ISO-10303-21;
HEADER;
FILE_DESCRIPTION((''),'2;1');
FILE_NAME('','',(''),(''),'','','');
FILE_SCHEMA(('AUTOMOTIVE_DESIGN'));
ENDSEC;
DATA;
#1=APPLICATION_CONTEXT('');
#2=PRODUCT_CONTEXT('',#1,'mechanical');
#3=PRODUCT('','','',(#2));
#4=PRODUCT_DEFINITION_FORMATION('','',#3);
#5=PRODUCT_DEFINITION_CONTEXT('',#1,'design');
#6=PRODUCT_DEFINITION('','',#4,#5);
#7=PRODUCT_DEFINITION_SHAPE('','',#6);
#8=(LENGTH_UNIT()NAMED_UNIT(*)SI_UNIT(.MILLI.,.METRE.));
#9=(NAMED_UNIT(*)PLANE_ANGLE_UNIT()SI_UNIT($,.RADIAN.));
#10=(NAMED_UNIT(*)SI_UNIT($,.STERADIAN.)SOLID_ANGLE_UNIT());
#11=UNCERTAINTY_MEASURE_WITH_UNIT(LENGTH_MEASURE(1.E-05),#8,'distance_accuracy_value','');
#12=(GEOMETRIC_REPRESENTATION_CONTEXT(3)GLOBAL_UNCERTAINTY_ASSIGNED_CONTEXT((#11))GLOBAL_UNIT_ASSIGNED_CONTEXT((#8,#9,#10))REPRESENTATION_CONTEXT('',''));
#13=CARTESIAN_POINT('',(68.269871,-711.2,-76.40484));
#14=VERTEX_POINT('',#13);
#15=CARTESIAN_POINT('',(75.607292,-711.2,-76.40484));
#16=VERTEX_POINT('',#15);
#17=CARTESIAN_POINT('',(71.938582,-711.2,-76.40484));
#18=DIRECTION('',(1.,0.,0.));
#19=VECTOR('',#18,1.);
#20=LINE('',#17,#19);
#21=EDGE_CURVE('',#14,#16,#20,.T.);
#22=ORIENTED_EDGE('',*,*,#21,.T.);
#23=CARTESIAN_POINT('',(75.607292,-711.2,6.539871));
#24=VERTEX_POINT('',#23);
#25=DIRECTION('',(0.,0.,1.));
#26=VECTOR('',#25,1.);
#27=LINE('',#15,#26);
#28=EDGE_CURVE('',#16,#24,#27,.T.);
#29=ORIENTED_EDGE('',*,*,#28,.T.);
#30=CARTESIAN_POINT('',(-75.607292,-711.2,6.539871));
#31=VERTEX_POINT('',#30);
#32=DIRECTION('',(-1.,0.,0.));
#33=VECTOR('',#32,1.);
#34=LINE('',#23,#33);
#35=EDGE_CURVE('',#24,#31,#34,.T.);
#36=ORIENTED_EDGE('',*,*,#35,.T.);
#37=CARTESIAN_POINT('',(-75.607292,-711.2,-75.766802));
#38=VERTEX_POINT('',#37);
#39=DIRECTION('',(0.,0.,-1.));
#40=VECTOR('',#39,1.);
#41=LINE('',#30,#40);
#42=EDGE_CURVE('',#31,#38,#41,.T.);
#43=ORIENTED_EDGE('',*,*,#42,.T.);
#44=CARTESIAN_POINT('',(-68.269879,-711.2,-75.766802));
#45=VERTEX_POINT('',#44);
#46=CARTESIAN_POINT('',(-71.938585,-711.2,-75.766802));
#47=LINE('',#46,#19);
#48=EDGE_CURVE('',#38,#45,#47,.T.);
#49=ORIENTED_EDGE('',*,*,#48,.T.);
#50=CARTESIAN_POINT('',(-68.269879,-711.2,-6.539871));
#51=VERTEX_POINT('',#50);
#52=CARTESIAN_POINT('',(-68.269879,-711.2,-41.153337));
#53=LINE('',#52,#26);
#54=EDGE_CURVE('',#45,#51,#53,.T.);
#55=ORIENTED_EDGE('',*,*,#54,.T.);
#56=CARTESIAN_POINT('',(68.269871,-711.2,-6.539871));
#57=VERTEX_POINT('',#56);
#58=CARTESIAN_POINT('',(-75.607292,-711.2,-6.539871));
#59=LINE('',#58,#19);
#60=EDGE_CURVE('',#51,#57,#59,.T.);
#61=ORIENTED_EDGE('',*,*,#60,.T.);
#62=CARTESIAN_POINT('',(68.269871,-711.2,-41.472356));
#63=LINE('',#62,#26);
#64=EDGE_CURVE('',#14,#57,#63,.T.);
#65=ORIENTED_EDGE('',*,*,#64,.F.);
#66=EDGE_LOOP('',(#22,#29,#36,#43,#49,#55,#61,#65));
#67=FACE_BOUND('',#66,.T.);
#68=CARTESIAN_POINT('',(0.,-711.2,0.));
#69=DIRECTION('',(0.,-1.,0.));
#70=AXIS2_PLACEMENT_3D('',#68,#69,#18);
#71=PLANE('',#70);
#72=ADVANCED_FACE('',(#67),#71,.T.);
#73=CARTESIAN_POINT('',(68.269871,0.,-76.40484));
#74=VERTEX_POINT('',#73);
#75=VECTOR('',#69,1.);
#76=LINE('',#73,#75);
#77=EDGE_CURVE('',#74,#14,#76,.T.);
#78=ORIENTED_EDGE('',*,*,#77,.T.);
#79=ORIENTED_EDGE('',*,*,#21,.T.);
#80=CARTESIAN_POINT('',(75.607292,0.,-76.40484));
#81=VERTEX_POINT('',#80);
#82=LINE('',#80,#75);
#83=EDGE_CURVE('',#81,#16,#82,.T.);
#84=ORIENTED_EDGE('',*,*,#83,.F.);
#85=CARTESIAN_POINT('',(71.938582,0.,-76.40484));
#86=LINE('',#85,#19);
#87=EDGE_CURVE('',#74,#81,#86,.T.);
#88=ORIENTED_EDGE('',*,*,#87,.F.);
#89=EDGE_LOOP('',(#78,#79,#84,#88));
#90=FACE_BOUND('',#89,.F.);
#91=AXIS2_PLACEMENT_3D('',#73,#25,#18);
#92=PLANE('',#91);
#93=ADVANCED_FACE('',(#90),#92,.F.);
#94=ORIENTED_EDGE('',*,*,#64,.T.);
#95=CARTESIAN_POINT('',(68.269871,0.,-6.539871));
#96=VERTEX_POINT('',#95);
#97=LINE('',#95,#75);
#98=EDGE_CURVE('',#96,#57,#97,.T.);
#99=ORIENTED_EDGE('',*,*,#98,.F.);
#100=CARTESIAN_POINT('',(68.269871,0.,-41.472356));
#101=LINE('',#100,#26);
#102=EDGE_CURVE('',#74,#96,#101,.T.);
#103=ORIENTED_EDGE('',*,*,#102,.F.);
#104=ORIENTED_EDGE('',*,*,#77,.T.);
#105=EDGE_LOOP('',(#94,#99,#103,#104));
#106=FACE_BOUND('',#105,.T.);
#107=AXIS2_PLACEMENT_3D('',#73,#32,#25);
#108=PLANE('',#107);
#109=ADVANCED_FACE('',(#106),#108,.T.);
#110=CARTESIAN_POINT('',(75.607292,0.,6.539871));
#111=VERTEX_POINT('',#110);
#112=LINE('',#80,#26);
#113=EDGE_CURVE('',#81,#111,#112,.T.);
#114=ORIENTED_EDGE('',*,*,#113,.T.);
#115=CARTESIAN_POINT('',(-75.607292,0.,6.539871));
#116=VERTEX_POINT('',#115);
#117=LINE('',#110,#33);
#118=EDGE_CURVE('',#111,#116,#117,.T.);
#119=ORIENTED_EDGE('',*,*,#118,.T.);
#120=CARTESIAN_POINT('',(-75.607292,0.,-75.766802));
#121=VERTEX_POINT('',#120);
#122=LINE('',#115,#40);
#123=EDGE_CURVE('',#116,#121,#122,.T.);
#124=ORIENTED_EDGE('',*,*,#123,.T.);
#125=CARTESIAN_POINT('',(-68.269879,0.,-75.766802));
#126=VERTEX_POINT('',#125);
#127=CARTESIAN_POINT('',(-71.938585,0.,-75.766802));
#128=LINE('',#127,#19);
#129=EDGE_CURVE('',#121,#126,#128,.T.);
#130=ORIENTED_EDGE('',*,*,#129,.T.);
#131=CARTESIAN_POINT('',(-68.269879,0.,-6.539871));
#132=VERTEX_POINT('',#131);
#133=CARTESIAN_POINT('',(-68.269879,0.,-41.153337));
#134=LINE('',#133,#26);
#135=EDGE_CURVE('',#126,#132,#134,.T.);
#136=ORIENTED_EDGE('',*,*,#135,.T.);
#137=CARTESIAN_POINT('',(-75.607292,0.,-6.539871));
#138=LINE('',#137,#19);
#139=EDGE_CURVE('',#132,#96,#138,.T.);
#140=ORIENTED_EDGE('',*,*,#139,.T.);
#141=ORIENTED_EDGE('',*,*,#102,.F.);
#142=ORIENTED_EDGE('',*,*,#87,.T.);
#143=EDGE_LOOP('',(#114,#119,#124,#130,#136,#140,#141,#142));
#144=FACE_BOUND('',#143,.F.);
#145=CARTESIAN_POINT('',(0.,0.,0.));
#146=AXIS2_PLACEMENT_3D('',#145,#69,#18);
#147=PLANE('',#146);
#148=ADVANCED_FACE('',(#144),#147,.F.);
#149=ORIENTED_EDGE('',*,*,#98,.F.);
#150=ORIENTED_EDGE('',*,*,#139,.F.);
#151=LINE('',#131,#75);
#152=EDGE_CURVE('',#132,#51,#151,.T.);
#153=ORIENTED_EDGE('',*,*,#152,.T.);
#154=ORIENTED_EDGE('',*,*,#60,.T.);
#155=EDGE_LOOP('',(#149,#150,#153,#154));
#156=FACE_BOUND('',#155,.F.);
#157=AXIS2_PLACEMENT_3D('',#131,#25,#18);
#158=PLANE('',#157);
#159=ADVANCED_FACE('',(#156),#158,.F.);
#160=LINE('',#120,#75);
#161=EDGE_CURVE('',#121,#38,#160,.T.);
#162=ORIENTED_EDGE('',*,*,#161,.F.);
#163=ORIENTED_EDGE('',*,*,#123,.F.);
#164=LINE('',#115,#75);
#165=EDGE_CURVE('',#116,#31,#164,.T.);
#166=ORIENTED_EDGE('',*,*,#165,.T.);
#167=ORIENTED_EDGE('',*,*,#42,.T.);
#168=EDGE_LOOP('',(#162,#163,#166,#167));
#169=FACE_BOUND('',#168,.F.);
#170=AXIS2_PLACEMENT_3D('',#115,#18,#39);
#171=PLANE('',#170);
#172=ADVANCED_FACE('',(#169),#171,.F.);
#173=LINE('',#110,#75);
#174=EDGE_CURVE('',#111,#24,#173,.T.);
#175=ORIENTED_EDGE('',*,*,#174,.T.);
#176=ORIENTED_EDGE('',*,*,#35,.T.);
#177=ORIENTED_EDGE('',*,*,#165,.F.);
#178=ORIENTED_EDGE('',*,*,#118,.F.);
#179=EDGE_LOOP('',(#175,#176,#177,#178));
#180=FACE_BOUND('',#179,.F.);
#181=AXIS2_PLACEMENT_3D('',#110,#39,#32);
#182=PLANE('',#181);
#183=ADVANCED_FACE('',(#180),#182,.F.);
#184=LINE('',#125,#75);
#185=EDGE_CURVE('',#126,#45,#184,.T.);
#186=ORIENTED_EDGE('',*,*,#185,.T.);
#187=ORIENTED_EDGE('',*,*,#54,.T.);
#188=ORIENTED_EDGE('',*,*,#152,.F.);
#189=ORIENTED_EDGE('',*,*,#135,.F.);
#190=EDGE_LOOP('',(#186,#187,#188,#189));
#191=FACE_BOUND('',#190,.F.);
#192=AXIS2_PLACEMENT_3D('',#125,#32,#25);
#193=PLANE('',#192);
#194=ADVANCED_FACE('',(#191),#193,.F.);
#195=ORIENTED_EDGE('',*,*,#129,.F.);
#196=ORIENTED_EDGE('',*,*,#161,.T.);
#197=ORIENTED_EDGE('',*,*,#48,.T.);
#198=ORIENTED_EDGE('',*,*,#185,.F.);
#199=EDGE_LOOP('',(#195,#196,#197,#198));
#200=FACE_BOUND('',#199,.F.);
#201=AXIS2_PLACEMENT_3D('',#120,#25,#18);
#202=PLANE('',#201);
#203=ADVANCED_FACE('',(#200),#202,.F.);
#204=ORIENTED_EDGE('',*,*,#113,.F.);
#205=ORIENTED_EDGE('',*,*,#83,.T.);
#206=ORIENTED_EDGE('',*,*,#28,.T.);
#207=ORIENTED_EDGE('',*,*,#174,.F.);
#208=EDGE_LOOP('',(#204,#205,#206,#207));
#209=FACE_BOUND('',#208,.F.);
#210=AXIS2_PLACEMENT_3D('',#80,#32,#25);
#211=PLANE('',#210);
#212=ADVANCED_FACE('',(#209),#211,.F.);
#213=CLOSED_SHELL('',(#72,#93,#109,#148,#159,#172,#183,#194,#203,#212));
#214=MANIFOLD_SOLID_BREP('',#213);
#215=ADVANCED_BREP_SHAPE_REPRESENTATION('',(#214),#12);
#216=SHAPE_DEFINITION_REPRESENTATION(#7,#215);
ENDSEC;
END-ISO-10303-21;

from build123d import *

# Parameters (mm, degrees)
F0_W     = 7.3374137282
F0_H     = 69.2269303836
F0_W_2   = 7.3374211788
F0_H_2   = 69.8649683036
F1_DEPTH = 711.2


with BuildPart() as f1:
    # F0 (on Front) → F1 (new body)
    with BuildSketch(Plane.XZ):
        Polygon((75.6072923541, 6.5398714505), (-75.6072923541, 6.5398714505), (-75.6072923541, -6.5398714505), (-68.2698786259, -6.5398714505), (68.2698711753, -6.5398714505), (75.6072923541, -6.5398714505), align=None)
        with Locations((-71.93858549, -41.1533366423)):
            Rectangle(F0_W, F0_H)
        with Locations((71.9385817647, -41.4723556023)):
            Rectangle(F0_W_2, F0_H_2)
    extrude(amount=F1_DEPTH)


solid = f1.part
